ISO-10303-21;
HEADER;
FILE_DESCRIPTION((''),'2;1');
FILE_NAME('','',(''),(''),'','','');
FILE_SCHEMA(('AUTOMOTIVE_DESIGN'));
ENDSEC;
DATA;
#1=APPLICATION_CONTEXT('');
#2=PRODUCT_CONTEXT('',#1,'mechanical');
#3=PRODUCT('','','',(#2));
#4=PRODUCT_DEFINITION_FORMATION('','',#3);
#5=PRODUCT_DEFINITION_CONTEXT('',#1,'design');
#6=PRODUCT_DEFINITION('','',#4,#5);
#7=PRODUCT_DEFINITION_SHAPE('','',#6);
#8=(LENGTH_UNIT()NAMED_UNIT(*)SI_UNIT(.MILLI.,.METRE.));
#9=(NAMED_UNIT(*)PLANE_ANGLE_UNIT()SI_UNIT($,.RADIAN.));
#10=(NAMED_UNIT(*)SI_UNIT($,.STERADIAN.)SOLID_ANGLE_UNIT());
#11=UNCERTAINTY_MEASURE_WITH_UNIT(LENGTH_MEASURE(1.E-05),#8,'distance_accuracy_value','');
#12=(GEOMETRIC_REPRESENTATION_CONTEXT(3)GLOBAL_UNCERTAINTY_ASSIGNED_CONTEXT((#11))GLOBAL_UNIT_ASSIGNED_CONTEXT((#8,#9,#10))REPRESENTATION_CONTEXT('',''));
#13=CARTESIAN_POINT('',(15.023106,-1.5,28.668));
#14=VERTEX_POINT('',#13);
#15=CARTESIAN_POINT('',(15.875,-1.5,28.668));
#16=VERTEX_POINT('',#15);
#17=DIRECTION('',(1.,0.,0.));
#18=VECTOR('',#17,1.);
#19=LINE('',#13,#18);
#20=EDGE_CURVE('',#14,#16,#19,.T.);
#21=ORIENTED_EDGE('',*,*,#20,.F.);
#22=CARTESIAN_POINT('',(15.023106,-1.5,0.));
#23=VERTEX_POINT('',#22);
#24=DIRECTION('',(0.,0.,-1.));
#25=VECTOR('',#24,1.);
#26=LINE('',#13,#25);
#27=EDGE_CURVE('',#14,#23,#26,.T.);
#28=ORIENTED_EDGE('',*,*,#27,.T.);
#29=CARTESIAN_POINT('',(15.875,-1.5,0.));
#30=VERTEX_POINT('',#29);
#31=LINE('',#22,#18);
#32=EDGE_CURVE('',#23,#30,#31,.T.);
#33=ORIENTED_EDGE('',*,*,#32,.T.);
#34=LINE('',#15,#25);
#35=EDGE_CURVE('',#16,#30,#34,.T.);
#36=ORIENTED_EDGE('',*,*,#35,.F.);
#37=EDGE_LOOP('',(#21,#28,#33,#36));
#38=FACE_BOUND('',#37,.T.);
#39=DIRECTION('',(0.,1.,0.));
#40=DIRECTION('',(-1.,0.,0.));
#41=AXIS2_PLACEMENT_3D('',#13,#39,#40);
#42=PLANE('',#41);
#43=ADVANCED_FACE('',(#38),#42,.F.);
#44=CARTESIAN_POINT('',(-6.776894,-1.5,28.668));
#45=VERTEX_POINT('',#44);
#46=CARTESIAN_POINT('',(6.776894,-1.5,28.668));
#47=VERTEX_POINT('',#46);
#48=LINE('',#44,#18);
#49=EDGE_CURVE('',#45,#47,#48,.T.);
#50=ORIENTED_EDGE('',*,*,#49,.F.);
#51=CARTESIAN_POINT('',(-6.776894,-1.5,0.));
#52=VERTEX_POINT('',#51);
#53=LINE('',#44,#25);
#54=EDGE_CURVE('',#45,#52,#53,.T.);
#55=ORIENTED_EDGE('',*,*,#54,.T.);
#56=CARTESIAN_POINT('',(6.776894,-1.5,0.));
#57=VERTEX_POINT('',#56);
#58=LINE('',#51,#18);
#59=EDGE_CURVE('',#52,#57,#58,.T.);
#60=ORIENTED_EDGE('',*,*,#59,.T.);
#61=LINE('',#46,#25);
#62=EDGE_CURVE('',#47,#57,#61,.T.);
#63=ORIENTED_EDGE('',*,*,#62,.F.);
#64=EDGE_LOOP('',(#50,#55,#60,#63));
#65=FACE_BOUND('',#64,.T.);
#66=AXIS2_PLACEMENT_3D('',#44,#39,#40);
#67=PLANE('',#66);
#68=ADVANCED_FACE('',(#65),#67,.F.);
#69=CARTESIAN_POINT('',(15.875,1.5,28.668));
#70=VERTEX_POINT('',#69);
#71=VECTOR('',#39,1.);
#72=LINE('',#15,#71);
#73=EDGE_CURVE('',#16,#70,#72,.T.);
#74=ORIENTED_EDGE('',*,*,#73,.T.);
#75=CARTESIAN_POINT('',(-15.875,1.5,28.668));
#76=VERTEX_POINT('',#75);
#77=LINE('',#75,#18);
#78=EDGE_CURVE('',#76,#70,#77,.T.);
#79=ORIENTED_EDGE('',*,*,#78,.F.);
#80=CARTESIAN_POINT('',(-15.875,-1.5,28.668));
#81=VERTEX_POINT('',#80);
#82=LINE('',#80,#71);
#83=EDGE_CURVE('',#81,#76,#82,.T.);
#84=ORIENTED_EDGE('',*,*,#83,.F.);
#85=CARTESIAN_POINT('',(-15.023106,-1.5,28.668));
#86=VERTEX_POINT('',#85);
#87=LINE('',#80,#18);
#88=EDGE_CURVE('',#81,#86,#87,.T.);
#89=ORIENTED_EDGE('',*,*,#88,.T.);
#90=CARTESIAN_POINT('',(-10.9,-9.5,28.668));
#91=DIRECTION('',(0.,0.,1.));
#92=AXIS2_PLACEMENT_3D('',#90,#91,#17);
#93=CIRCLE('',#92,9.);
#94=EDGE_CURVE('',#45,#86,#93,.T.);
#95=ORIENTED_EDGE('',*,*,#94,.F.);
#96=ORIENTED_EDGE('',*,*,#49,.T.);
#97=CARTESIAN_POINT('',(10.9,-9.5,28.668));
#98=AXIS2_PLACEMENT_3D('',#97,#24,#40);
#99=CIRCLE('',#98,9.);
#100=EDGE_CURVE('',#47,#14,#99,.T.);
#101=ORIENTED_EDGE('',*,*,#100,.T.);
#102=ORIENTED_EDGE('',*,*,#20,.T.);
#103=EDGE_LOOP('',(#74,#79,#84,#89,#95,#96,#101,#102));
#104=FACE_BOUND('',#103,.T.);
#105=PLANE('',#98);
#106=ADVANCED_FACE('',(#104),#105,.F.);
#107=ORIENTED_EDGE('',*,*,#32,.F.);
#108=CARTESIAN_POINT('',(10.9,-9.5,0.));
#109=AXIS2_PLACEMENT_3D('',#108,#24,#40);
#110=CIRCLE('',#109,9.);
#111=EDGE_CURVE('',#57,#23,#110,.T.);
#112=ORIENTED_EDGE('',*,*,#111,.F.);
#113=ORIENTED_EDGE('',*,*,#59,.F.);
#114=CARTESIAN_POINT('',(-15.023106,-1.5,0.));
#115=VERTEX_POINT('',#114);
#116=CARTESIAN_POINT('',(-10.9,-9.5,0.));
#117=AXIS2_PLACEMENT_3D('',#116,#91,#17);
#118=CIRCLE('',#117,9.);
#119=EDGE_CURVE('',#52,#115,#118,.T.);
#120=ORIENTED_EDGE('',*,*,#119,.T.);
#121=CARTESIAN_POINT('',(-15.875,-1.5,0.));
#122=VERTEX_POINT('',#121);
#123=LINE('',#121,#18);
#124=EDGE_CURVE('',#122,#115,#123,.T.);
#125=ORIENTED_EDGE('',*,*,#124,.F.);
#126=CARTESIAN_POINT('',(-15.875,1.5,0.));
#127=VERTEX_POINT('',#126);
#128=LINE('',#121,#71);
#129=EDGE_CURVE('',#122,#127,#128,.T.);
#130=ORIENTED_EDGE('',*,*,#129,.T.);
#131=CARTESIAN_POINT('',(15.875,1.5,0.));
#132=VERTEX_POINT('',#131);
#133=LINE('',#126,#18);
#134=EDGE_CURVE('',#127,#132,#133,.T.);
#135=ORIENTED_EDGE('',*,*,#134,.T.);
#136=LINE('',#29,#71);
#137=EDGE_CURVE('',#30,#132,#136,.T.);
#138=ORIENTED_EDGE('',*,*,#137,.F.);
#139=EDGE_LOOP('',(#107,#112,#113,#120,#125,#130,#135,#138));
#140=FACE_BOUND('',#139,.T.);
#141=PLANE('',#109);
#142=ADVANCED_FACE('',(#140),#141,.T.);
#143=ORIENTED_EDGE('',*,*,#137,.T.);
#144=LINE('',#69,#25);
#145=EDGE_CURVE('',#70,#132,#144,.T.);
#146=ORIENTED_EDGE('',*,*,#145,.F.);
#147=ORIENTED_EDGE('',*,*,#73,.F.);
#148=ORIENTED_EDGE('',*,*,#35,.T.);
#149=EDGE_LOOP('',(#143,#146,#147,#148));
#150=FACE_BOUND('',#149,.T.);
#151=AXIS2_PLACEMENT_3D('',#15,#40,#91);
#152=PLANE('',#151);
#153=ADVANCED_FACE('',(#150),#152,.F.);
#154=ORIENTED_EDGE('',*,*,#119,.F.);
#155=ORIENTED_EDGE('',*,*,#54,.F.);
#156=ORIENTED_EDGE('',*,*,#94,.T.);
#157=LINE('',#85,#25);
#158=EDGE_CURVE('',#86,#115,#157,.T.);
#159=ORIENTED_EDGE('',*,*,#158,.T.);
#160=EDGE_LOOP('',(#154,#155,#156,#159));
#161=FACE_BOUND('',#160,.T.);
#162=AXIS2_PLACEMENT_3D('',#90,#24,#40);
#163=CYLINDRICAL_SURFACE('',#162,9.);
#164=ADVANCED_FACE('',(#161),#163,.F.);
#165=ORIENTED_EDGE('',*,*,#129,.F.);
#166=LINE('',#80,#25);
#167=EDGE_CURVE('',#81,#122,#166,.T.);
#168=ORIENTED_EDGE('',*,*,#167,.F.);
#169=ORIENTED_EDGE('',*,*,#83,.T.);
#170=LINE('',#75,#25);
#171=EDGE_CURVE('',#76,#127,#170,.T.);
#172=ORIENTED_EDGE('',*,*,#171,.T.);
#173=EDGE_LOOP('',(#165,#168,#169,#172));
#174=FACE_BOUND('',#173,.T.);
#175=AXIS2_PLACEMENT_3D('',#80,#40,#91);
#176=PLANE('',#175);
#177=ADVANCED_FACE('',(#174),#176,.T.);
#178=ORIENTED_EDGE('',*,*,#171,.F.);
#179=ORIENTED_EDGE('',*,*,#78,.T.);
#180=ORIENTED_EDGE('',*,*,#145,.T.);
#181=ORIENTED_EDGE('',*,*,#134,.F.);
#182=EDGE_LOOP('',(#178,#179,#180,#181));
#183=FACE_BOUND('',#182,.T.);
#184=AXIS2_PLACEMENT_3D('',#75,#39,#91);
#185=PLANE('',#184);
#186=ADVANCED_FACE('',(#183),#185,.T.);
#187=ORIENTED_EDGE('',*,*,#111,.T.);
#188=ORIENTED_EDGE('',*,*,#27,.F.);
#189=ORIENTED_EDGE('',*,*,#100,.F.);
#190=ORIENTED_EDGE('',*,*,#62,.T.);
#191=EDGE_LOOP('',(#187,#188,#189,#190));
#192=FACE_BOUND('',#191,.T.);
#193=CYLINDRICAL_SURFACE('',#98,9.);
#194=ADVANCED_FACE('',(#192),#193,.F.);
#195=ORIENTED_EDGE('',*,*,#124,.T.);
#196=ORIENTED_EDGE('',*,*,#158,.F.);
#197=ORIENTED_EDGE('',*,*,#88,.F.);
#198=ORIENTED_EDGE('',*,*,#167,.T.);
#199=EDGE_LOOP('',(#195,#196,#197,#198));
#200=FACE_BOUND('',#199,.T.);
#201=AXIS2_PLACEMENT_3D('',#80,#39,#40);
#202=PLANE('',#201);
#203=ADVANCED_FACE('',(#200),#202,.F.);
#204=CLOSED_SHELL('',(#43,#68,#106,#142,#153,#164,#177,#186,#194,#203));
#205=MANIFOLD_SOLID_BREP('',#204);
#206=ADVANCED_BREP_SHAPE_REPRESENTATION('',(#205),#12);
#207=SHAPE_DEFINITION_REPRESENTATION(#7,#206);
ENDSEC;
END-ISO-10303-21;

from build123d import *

# Parameters (mm, degrees)
BOSS_EXTRUDE1_DEPTH = 28.668


with BuildPart() as part:
    # Sketch1 → Boss-Extrude1 (new body)
    with BuildSketch(Plane.XY):
        with BuildLine():
            Line((-15.875, -1.5), (-15.023105626, -1.5))
            ThreePointArc((-15.023105626, -1.5), (-10.9, -0.5), (-6.776894374, -1.5))
            Line((-6.776894374, -1.5), (6.776894374, -1.5))
            ThreePointArc((6.776894374, -1.5), (10.9, -0.5), (15.023105626, -1.5))
            Line((15.023105626, -1.5), (15.875, -1.5))
            Line((15.875, -1.5), (15.875, 1.5))
            Line((15.875, 1.5), (-15.875, 1.5))
            Line((-15.875, 1.5), (-15.875, -1.5))
        make_face()
    extrude(amount=BOSS_EXTRUDE1_DEPTH)


solid = part.part
